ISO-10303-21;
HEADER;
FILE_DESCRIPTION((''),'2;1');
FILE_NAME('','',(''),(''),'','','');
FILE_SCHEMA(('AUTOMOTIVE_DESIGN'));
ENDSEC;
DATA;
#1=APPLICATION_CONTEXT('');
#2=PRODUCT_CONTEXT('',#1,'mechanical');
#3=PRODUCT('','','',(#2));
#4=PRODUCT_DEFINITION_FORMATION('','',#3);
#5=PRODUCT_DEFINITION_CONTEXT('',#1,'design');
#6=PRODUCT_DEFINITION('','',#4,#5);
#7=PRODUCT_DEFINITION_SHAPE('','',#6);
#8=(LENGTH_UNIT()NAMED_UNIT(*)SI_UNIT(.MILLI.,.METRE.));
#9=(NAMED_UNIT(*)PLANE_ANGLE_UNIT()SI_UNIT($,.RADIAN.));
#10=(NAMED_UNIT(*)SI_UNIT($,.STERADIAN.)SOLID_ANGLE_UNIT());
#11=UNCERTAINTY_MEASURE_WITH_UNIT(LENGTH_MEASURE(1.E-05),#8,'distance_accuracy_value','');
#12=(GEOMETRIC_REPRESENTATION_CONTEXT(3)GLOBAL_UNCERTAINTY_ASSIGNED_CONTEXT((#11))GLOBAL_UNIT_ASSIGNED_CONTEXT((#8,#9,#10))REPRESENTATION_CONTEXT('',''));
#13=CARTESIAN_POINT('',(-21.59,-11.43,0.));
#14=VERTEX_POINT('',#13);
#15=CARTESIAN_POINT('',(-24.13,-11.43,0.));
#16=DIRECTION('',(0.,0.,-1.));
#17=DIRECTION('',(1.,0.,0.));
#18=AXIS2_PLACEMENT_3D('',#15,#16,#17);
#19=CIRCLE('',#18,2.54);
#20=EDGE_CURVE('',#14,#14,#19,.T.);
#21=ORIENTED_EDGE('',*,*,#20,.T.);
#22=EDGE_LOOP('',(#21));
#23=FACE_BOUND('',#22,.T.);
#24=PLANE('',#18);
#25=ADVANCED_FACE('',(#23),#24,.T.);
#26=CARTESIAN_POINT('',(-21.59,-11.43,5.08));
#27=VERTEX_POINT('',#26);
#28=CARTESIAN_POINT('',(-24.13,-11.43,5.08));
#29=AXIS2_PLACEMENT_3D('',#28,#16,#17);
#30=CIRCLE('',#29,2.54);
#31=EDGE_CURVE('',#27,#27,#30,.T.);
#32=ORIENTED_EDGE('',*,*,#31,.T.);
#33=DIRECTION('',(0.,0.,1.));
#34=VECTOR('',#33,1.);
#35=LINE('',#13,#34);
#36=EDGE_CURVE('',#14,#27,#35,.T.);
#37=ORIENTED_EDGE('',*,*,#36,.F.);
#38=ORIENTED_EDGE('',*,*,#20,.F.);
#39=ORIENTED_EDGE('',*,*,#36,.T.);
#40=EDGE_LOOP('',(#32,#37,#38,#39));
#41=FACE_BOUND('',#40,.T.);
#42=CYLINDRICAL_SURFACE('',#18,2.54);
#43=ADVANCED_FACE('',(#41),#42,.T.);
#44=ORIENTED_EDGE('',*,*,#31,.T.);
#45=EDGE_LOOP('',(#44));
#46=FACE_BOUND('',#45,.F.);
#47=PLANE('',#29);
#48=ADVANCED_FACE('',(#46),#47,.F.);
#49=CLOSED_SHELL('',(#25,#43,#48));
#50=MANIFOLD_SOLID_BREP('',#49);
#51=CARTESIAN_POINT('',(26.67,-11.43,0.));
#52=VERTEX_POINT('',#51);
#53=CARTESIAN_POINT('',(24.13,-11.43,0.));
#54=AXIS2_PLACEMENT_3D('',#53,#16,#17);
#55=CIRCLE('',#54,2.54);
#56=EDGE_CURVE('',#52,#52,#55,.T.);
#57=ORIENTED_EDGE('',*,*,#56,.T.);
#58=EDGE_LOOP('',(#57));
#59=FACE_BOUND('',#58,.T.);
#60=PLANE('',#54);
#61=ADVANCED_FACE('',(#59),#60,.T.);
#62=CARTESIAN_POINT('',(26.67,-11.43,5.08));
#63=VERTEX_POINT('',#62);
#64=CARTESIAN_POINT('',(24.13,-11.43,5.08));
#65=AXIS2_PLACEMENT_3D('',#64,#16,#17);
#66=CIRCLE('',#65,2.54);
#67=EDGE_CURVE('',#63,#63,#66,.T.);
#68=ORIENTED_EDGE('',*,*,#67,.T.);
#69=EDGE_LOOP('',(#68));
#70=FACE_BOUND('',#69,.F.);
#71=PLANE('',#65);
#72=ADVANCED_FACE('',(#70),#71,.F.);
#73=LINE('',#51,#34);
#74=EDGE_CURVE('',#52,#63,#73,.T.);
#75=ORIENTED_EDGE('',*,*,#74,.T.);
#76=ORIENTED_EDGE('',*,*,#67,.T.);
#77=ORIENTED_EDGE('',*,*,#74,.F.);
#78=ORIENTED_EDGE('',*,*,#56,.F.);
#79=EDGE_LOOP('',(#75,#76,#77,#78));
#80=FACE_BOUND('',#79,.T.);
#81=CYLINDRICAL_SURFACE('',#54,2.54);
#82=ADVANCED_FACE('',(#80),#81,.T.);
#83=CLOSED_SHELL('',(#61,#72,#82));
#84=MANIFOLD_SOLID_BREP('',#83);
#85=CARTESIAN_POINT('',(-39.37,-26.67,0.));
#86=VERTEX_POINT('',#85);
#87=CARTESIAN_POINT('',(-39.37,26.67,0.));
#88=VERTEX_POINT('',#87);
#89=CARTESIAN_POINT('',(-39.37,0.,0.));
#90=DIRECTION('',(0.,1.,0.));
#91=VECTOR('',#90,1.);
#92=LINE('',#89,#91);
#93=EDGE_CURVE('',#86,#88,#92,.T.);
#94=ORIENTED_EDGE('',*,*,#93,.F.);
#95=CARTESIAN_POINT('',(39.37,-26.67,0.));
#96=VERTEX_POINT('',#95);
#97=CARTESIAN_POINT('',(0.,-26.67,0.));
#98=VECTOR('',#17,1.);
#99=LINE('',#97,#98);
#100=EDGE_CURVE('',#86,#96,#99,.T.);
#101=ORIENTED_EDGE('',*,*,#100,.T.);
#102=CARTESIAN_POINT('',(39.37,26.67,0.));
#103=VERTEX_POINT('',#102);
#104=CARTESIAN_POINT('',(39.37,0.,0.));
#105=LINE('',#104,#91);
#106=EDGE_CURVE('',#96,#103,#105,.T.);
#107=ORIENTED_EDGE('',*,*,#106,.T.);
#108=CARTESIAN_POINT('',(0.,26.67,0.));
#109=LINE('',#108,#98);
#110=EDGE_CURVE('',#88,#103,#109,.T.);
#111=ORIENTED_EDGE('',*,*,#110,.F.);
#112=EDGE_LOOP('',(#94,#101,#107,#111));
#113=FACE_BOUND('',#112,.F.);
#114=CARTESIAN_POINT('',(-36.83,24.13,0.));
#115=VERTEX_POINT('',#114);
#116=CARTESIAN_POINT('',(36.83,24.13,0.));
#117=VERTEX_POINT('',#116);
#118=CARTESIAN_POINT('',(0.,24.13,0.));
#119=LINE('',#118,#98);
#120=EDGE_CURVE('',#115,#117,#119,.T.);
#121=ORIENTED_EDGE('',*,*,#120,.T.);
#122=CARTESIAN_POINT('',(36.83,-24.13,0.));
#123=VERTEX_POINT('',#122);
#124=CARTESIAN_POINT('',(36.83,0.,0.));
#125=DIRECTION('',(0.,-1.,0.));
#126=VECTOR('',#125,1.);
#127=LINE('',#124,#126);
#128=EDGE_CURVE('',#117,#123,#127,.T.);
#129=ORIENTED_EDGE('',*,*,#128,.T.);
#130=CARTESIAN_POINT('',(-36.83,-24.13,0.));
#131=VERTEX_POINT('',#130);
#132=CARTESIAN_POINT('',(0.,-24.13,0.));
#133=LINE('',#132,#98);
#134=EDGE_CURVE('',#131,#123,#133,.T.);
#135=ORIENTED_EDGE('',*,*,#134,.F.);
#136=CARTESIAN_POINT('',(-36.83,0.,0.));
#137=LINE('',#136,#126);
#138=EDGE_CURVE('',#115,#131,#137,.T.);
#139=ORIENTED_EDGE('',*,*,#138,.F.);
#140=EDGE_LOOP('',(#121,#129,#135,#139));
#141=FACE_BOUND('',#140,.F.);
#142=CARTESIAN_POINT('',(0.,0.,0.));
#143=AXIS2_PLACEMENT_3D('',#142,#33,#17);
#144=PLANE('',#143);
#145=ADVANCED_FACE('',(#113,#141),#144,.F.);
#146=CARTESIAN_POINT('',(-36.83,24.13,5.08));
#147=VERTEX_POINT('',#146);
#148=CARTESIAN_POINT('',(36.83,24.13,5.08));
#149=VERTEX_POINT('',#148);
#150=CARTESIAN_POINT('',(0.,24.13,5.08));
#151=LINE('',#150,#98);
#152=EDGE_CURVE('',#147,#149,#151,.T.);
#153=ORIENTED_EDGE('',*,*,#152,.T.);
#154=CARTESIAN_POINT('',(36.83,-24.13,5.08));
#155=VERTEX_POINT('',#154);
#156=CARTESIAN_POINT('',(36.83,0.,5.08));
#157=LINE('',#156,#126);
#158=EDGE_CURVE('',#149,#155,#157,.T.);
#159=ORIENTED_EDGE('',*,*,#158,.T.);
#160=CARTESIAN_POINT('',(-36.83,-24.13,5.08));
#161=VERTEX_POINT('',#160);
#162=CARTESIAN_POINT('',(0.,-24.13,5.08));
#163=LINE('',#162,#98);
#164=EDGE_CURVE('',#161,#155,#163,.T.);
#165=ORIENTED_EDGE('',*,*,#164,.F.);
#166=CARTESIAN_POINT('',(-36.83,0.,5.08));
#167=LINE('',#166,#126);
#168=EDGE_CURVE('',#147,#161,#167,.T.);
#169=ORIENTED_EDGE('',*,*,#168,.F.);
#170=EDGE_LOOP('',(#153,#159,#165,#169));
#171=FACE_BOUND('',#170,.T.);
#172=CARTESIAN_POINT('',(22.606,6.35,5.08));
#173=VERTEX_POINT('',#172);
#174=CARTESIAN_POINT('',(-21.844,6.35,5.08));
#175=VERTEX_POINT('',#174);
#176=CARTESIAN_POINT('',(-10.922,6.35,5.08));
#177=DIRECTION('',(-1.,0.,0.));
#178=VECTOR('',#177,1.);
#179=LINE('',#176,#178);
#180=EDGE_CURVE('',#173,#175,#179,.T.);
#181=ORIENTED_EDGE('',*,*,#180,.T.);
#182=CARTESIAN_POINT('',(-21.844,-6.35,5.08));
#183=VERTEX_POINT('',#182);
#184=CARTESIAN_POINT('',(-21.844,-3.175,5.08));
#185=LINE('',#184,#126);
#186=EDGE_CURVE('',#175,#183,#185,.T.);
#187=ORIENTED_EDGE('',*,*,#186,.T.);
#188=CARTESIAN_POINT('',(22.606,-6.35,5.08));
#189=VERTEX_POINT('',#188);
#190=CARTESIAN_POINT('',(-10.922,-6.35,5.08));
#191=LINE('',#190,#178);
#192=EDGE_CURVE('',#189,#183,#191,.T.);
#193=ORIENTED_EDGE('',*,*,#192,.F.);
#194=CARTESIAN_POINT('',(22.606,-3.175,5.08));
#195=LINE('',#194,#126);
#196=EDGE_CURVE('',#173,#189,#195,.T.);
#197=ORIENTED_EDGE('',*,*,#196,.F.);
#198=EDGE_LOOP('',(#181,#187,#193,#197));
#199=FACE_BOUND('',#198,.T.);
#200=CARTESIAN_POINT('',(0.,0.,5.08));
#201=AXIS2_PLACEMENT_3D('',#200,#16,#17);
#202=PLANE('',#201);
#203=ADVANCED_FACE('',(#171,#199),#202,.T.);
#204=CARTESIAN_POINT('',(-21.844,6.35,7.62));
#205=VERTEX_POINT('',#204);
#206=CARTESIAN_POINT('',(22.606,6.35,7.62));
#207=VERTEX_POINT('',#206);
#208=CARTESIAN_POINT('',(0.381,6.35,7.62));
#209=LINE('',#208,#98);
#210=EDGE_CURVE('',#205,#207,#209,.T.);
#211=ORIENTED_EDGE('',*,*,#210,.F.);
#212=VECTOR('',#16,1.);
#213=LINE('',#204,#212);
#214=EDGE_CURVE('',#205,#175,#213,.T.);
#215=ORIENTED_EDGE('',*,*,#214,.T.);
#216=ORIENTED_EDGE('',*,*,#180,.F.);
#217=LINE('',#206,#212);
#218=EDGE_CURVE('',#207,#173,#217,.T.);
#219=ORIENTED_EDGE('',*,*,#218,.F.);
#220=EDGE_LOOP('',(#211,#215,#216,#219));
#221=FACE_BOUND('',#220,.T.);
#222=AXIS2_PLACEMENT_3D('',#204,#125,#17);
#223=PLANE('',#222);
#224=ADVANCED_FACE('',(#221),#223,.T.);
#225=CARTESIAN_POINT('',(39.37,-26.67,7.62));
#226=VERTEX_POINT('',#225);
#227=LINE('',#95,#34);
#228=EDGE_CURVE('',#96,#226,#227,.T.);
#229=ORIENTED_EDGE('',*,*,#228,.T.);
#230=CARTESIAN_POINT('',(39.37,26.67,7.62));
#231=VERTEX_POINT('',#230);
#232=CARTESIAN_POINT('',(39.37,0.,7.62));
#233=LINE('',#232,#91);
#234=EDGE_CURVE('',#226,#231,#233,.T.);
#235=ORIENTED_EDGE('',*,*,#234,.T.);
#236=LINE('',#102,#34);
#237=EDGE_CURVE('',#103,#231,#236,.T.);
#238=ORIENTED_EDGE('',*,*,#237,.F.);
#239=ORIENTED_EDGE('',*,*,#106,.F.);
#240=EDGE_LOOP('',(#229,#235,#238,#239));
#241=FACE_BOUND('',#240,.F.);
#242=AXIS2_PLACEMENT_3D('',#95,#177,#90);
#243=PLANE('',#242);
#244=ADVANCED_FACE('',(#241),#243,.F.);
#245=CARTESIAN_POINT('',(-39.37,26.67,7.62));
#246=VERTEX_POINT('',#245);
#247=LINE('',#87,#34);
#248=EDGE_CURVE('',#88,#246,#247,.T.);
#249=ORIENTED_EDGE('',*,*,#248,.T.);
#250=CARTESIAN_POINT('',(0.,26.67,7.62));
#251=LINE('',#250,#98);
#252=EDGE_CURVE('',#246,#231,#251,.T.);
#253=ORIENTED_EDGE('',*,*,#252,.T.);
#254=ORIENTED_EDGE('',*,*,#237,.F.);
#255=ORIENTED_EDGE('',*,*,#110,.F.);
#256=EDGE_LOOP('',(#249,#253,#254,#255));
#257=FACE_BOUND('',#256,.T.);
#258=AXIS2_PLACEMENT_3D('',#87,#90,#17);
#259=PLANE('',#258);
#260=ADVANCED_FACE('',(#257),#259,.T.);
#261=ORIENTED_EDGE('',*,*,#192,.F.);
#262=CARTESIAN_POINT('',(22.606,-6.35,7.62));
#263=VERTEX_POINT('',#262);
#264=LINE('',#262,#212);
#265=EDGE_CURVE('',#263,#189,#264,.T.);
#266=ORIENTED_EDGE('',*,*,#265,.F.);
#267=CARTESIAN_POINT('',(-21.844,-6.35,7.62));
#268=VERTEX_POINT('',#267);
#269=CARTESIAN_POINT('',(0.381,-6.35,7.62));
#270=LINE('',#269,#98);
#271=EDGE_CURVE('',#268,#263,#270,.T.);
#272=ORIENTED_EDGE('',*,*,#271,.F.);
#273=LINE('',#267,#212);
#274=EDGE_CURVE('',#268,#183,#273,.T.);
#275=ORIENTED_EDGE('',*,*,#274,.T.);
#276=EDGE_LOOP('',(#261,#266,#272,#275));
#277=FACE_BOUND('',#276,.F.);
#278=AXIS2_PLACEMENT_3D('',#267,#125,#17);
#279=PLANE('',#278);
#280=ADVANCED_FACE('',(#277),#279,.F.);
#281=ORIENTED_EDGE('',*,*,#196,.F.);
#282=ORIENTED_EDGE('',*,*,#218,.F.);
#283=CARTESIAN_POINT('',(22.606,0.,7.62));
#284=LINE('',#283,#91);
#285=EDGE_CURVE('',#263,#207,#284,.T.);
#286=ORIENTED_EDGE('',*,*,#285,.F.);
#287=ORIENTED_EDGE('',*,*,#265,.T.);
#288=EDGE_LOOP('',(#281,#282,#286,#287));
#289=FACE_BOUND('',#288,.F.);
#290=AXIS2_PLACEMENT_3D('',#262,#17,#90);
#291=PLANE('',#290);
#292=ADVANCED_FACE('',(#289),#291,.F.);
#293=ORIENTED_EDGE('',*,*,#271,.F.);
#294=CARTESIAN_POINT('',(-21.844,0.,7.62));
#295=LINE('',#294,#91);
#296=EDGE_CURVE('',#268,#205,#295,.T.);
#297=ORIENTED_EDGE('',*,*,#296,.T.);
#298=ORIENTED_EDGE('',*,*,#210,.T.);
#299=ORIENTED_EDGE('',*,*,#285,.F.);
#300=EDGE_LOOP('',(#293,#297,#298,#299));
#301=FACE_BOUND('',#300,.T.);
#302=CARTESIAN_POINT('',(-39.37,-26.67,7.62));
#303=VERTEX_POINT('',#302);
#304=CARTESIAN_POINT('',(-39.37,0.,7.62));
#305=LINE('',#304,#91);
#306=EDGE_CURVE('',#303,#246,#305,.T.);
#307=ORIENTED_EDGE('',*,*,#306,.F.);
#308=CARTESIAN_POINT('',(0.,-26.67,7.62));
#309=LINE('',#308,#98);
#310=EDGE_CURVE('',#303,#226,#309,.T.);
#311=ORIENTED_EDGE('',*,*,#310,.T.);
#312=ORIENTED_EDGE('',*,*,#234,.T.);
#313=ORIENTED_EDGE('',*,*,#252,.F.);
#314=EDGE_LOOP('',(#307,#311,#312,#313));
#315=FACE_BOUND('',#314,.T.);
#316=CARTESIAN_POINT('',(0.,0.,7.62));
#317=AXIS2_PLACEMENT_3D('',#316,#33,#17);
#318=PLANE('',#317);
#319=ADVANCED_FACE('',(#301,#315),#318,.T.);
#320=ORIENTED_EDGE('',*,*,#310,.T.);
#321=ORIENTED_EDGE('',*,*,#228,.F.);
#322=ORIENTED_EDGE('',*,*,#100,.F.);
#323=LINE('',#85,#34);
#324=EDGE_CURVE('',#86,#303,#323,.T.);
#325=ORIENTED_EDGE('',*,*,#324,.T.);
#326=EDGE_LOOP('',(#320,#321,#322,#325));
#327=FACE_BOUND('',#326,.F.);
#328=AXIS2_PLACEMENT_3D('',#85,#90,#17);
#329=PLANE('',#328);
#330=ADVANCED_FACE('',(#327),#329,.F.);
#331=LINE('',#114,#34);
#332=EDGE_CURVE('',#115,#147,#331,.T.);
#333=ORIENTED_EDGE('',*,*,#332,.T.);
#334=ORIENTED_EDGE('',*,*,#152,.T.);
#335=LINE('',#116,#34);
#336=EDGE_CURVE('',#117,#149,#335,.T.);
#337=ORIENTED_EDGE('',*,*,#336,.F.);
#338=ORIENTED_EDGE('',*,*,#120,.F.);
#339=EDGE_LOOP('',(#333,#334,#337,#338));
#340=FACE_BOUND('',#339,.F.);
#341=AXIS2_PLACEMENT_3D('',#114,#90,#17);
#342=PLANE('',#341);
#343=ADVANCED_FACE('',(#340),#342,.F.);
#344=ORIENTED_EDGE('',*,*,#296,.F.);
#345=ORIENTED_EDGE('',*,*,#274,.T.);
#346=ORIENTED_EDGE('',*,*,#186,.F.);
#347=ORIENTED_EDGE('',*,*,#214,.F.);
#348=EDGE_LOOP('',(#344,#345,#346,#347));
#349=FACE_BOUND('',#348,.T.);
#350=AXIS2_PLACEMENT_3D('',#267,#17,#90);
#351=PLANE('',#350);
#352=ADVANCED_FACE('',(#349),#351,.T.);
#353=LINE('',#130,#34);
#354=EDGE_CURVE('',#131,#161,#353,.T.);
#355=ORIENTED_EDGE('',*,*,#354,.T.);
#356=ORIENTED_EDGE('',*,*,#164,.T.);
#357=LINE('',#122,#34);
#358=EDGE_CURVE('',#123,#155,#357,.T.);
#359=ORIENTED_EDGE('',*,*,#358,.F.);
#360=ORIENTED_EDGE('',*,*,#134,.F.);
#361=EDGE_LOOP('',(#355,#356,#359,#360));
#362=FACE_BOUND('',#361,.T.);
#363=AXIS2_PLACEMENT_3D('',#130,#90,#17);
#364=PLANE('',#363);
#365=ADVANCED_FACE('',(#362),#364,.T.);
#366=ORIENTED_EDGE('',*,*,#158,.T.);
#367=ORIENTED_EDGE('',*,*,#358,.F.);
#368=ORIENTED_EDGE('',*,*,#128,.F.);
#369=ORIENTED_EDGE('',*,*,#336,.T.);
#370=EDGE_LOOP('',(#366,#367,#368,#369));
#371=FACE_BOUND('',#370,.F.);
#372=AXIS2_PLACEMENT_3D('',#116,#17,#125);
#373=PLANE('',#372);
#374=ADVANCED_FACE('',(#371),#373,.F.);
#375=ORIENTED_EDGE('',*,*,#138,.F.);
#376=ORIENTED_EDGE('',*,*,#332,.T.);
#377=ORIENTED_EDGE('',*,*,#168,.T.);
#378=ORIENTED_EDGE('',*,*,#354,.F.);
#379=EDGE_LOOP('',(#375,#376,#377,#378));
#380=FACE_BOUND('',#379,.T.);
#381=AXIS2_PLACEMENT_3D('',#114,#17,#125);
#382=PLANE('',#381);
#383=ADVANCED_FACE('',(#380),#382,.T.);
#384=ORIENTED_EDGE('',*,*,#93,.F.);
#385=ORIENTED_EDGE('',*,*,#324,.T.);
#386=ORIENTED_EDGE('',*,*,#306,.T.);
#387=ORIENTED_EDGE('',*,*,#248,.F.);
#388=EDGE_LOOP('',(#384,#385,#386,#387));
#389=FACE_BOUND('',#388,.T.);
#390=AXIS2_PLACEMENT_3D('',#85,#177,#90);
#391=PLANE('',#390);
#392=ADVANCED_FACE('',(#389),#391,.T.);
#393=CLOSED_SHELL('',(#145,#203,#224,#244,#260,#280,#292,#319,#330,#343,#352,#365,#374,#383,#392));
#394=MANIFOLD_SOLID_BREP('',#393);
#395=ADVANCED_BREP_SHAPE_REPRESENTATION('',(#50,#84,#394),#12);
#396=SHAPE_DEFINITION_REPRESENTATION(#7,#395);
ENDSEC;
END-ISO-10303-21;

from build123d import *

# Parameters (mm, degrees)
F0_W     = 78.74
F0_H     = 53.34
F1_DEPTH = 7.62
F3_W     = 73.66
F3_H     = 48.26
F4_DEPTH = 5.08
F5_W     = 44.45
F5_H     = 12.7
F6_DEPTH = 25.4
F7_R     = 2.54
F8_DEPTH = 5.08


with BuildPart() as f1:
    # F0 (on Top) → F1 (new body)
    with BuildSketch(Plane.XY):
        Rectangle(F0_W, F0_H)
    extrude(amount=F1_DEPTH)

    # F3 (on face) → F4 (cut)
    with BuildSketch(Plane(origin=(0, 0, 0), x_dir=(1, 0, 0), z_dir=(0, 0, -1))):
        Rectangle(F3_W, F3_H)
    extrude(amount=-F4_DEPTH, mode=Mode.SUBTRACT)

    # F5 (on face) → F6 (cut)
    with BuildSketch(Plane.XY.offset(7.62)):
        with Locations((0.381, 0)):
            Rectangle(F5_W, F5_H)
    extrude(amount=-F6_DEPTH, mode=Mode.SUBTRACT)


with BuildPart() as f8:
    # F7 (on face) → F8 (new body)
    with BuildSketch(Plane(origin=(0, 0, 0), x_dir=(1, 0, 0), z_dir=(0, 0, -1))):
        with Locations((24.13, 11.43)):
            Circle(F7_R)
        with Locations((-24.13, 11.43)):
            Circle(F7_R)
    extrude(amount=-F8_DEPTH)


solid = Compound([f1.part, f8.part])
